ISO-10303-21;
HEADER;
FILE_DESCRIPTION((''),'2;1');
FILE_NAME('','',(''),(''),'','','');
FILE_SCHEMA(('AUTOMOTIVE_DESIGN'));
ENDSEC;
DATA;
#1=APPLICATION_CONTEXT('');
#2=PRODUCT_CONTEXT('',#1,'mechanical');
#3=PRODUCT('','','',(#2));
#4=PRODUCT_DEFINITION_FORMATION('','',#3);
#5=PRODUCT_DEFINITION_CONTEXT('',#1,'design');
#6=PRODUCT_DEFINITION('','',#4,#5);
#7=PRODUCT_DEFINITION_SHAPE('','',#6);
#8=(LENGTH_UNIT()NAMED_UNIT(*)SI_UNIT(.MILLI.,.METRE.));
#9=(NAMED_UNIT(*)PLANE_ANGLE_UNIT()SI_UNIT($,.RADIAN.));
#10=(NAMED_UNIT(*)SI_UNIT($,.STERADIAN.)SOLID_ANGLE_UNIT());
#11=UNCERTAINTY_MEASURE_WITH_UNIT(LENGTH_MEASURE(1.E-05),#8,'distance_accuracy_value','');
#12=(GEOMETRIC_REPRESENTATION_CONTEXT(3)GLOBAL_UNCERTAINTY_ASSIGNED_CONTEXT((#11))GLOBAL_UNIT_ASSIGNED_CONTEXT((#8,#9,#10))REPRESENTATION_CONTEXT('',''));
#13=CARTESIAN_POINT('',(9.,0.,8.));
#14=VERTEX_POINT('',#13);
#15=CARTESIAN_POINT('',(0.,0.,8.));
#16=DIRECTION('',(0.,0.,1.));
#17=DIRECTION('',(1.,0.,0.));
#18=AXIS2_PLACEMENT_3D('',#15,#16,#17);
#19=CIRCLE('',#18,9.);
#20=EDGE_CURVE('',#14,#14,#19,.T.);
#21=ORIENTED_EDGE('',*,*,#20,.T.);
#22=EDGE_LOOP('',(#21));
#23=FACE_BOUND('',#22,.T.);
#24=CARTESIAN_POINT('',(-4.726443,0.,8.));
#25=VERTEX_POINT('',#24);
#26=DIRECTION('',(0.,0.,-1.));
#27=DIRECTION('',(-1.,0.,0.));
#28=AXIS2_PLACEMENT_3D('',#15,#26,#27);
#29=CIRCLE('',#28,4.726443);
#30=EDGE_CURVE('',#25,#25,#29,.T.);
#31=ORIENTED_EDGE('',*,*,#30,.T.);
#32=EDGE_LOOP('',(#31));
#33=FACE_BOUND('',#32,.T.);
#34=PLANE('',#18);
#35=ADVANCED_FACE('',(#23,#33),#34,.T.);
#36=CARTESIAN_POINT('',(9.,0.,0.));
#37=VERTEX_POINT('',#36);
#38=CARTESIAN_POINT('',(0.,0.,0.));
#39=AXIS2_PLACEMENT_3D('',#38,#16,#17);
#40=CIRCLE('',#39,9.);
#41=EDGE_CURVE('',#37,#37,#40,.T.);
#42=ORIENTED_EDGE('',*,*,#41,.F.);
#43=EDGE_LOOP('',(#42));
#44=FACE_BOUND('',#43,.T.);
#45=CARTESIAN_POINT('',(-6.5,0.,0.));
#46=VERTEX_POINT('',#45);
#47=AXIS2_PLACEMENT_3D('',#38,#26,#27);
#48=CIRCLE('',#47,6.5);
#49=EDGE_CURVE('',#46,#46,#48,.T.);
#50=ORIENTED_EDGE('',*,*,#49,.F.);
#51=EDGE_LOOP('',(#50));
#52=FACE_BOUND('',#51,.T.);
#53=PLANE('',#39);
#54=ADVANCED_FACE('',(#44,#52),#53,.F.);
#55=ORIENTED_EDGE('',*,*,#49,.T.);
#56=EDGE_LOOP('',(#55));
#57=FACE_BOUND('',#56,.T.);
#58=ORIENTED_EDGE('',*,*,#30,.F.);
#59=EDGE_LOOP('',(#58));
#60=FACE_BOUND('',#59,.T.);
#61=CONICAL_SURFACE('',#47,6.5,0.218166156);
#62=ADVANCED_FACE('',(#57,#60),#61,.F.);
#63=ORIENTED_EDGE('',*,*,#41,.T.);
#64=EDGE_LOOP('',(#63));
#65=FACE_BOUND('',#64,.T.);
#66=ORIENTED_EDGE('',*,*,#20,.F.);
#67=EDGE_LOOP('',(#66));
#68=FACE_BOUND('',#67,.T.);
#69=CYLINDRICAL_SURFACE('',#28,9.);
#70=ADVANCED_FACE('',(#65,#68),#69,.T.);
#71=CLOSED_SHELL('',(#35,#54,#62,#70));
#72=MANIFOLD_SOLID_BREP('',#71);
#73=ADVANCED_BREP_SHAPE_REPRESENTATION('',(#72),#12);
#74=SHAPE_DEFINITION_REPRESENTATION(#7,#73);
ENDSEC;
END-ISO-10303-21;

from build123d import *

# Parameters (mm, degrees)
ESQUISSE1_R             = 9
BASE_EXTRUSION_DEPTH    = 8
ESQUISSE2_R             = 6.5
ENL_V_MAT_EXTRU_1_DEPTH = 16.033296378
ENL_V_MAT_EXTRU_1_DRAFT = -12.5


with BuildPart() as part:
    # Esquisse1 → Base-Extrusion (new body)
    with BuildSketch(Plane.XY):
        Circle(ESQUISSE1_R)
    extrude(amount=BASE_EXTRUSION_DEPTH)


with BuildPart() as enl_v_mat_extru_1_tool:
    # Esquisse2 → Enlèv. mat.-Extru.1 (with draft: the straight prism first)
    with BuildSketch(Plane(origin=(0, 0, 0), x_dir=(-1, 0, 0), z_dir=(0, 0, -1))):
        Circle(ESQUISSE2_R)
    extrude(amount=-ENL_V_MAT_EXTRU_1_DEPTH)
    # Enlèv. mat.-Extru.1: the draft: its side faces are tilted about the plane it starts from
    enl_v_mat_extru_1_sides = [enl_v_mat_extru_1_tool.faces().sort_by_distance(p)[0] for p in [
        (6.5, 0, 8.016648189),
    ]]
    draft(enl_v_mat_extru_1_sides, Plane(origin=(0, 0, 0), x_dir=(-1, 0, 0), z_dir=(0, 0, -1)), ENL_V_MAT_EXTRU_1_DRAFT)


with BuildPart() as part_1:
    add(part.part)

    # Enlèv. mat.-Extru.1: cut by enl_v_mat_extru_1_tool
    add(enl_v_mat_extru_1_tool.part, mode=Mode.SUBTRACT)


solid = part_1.part
